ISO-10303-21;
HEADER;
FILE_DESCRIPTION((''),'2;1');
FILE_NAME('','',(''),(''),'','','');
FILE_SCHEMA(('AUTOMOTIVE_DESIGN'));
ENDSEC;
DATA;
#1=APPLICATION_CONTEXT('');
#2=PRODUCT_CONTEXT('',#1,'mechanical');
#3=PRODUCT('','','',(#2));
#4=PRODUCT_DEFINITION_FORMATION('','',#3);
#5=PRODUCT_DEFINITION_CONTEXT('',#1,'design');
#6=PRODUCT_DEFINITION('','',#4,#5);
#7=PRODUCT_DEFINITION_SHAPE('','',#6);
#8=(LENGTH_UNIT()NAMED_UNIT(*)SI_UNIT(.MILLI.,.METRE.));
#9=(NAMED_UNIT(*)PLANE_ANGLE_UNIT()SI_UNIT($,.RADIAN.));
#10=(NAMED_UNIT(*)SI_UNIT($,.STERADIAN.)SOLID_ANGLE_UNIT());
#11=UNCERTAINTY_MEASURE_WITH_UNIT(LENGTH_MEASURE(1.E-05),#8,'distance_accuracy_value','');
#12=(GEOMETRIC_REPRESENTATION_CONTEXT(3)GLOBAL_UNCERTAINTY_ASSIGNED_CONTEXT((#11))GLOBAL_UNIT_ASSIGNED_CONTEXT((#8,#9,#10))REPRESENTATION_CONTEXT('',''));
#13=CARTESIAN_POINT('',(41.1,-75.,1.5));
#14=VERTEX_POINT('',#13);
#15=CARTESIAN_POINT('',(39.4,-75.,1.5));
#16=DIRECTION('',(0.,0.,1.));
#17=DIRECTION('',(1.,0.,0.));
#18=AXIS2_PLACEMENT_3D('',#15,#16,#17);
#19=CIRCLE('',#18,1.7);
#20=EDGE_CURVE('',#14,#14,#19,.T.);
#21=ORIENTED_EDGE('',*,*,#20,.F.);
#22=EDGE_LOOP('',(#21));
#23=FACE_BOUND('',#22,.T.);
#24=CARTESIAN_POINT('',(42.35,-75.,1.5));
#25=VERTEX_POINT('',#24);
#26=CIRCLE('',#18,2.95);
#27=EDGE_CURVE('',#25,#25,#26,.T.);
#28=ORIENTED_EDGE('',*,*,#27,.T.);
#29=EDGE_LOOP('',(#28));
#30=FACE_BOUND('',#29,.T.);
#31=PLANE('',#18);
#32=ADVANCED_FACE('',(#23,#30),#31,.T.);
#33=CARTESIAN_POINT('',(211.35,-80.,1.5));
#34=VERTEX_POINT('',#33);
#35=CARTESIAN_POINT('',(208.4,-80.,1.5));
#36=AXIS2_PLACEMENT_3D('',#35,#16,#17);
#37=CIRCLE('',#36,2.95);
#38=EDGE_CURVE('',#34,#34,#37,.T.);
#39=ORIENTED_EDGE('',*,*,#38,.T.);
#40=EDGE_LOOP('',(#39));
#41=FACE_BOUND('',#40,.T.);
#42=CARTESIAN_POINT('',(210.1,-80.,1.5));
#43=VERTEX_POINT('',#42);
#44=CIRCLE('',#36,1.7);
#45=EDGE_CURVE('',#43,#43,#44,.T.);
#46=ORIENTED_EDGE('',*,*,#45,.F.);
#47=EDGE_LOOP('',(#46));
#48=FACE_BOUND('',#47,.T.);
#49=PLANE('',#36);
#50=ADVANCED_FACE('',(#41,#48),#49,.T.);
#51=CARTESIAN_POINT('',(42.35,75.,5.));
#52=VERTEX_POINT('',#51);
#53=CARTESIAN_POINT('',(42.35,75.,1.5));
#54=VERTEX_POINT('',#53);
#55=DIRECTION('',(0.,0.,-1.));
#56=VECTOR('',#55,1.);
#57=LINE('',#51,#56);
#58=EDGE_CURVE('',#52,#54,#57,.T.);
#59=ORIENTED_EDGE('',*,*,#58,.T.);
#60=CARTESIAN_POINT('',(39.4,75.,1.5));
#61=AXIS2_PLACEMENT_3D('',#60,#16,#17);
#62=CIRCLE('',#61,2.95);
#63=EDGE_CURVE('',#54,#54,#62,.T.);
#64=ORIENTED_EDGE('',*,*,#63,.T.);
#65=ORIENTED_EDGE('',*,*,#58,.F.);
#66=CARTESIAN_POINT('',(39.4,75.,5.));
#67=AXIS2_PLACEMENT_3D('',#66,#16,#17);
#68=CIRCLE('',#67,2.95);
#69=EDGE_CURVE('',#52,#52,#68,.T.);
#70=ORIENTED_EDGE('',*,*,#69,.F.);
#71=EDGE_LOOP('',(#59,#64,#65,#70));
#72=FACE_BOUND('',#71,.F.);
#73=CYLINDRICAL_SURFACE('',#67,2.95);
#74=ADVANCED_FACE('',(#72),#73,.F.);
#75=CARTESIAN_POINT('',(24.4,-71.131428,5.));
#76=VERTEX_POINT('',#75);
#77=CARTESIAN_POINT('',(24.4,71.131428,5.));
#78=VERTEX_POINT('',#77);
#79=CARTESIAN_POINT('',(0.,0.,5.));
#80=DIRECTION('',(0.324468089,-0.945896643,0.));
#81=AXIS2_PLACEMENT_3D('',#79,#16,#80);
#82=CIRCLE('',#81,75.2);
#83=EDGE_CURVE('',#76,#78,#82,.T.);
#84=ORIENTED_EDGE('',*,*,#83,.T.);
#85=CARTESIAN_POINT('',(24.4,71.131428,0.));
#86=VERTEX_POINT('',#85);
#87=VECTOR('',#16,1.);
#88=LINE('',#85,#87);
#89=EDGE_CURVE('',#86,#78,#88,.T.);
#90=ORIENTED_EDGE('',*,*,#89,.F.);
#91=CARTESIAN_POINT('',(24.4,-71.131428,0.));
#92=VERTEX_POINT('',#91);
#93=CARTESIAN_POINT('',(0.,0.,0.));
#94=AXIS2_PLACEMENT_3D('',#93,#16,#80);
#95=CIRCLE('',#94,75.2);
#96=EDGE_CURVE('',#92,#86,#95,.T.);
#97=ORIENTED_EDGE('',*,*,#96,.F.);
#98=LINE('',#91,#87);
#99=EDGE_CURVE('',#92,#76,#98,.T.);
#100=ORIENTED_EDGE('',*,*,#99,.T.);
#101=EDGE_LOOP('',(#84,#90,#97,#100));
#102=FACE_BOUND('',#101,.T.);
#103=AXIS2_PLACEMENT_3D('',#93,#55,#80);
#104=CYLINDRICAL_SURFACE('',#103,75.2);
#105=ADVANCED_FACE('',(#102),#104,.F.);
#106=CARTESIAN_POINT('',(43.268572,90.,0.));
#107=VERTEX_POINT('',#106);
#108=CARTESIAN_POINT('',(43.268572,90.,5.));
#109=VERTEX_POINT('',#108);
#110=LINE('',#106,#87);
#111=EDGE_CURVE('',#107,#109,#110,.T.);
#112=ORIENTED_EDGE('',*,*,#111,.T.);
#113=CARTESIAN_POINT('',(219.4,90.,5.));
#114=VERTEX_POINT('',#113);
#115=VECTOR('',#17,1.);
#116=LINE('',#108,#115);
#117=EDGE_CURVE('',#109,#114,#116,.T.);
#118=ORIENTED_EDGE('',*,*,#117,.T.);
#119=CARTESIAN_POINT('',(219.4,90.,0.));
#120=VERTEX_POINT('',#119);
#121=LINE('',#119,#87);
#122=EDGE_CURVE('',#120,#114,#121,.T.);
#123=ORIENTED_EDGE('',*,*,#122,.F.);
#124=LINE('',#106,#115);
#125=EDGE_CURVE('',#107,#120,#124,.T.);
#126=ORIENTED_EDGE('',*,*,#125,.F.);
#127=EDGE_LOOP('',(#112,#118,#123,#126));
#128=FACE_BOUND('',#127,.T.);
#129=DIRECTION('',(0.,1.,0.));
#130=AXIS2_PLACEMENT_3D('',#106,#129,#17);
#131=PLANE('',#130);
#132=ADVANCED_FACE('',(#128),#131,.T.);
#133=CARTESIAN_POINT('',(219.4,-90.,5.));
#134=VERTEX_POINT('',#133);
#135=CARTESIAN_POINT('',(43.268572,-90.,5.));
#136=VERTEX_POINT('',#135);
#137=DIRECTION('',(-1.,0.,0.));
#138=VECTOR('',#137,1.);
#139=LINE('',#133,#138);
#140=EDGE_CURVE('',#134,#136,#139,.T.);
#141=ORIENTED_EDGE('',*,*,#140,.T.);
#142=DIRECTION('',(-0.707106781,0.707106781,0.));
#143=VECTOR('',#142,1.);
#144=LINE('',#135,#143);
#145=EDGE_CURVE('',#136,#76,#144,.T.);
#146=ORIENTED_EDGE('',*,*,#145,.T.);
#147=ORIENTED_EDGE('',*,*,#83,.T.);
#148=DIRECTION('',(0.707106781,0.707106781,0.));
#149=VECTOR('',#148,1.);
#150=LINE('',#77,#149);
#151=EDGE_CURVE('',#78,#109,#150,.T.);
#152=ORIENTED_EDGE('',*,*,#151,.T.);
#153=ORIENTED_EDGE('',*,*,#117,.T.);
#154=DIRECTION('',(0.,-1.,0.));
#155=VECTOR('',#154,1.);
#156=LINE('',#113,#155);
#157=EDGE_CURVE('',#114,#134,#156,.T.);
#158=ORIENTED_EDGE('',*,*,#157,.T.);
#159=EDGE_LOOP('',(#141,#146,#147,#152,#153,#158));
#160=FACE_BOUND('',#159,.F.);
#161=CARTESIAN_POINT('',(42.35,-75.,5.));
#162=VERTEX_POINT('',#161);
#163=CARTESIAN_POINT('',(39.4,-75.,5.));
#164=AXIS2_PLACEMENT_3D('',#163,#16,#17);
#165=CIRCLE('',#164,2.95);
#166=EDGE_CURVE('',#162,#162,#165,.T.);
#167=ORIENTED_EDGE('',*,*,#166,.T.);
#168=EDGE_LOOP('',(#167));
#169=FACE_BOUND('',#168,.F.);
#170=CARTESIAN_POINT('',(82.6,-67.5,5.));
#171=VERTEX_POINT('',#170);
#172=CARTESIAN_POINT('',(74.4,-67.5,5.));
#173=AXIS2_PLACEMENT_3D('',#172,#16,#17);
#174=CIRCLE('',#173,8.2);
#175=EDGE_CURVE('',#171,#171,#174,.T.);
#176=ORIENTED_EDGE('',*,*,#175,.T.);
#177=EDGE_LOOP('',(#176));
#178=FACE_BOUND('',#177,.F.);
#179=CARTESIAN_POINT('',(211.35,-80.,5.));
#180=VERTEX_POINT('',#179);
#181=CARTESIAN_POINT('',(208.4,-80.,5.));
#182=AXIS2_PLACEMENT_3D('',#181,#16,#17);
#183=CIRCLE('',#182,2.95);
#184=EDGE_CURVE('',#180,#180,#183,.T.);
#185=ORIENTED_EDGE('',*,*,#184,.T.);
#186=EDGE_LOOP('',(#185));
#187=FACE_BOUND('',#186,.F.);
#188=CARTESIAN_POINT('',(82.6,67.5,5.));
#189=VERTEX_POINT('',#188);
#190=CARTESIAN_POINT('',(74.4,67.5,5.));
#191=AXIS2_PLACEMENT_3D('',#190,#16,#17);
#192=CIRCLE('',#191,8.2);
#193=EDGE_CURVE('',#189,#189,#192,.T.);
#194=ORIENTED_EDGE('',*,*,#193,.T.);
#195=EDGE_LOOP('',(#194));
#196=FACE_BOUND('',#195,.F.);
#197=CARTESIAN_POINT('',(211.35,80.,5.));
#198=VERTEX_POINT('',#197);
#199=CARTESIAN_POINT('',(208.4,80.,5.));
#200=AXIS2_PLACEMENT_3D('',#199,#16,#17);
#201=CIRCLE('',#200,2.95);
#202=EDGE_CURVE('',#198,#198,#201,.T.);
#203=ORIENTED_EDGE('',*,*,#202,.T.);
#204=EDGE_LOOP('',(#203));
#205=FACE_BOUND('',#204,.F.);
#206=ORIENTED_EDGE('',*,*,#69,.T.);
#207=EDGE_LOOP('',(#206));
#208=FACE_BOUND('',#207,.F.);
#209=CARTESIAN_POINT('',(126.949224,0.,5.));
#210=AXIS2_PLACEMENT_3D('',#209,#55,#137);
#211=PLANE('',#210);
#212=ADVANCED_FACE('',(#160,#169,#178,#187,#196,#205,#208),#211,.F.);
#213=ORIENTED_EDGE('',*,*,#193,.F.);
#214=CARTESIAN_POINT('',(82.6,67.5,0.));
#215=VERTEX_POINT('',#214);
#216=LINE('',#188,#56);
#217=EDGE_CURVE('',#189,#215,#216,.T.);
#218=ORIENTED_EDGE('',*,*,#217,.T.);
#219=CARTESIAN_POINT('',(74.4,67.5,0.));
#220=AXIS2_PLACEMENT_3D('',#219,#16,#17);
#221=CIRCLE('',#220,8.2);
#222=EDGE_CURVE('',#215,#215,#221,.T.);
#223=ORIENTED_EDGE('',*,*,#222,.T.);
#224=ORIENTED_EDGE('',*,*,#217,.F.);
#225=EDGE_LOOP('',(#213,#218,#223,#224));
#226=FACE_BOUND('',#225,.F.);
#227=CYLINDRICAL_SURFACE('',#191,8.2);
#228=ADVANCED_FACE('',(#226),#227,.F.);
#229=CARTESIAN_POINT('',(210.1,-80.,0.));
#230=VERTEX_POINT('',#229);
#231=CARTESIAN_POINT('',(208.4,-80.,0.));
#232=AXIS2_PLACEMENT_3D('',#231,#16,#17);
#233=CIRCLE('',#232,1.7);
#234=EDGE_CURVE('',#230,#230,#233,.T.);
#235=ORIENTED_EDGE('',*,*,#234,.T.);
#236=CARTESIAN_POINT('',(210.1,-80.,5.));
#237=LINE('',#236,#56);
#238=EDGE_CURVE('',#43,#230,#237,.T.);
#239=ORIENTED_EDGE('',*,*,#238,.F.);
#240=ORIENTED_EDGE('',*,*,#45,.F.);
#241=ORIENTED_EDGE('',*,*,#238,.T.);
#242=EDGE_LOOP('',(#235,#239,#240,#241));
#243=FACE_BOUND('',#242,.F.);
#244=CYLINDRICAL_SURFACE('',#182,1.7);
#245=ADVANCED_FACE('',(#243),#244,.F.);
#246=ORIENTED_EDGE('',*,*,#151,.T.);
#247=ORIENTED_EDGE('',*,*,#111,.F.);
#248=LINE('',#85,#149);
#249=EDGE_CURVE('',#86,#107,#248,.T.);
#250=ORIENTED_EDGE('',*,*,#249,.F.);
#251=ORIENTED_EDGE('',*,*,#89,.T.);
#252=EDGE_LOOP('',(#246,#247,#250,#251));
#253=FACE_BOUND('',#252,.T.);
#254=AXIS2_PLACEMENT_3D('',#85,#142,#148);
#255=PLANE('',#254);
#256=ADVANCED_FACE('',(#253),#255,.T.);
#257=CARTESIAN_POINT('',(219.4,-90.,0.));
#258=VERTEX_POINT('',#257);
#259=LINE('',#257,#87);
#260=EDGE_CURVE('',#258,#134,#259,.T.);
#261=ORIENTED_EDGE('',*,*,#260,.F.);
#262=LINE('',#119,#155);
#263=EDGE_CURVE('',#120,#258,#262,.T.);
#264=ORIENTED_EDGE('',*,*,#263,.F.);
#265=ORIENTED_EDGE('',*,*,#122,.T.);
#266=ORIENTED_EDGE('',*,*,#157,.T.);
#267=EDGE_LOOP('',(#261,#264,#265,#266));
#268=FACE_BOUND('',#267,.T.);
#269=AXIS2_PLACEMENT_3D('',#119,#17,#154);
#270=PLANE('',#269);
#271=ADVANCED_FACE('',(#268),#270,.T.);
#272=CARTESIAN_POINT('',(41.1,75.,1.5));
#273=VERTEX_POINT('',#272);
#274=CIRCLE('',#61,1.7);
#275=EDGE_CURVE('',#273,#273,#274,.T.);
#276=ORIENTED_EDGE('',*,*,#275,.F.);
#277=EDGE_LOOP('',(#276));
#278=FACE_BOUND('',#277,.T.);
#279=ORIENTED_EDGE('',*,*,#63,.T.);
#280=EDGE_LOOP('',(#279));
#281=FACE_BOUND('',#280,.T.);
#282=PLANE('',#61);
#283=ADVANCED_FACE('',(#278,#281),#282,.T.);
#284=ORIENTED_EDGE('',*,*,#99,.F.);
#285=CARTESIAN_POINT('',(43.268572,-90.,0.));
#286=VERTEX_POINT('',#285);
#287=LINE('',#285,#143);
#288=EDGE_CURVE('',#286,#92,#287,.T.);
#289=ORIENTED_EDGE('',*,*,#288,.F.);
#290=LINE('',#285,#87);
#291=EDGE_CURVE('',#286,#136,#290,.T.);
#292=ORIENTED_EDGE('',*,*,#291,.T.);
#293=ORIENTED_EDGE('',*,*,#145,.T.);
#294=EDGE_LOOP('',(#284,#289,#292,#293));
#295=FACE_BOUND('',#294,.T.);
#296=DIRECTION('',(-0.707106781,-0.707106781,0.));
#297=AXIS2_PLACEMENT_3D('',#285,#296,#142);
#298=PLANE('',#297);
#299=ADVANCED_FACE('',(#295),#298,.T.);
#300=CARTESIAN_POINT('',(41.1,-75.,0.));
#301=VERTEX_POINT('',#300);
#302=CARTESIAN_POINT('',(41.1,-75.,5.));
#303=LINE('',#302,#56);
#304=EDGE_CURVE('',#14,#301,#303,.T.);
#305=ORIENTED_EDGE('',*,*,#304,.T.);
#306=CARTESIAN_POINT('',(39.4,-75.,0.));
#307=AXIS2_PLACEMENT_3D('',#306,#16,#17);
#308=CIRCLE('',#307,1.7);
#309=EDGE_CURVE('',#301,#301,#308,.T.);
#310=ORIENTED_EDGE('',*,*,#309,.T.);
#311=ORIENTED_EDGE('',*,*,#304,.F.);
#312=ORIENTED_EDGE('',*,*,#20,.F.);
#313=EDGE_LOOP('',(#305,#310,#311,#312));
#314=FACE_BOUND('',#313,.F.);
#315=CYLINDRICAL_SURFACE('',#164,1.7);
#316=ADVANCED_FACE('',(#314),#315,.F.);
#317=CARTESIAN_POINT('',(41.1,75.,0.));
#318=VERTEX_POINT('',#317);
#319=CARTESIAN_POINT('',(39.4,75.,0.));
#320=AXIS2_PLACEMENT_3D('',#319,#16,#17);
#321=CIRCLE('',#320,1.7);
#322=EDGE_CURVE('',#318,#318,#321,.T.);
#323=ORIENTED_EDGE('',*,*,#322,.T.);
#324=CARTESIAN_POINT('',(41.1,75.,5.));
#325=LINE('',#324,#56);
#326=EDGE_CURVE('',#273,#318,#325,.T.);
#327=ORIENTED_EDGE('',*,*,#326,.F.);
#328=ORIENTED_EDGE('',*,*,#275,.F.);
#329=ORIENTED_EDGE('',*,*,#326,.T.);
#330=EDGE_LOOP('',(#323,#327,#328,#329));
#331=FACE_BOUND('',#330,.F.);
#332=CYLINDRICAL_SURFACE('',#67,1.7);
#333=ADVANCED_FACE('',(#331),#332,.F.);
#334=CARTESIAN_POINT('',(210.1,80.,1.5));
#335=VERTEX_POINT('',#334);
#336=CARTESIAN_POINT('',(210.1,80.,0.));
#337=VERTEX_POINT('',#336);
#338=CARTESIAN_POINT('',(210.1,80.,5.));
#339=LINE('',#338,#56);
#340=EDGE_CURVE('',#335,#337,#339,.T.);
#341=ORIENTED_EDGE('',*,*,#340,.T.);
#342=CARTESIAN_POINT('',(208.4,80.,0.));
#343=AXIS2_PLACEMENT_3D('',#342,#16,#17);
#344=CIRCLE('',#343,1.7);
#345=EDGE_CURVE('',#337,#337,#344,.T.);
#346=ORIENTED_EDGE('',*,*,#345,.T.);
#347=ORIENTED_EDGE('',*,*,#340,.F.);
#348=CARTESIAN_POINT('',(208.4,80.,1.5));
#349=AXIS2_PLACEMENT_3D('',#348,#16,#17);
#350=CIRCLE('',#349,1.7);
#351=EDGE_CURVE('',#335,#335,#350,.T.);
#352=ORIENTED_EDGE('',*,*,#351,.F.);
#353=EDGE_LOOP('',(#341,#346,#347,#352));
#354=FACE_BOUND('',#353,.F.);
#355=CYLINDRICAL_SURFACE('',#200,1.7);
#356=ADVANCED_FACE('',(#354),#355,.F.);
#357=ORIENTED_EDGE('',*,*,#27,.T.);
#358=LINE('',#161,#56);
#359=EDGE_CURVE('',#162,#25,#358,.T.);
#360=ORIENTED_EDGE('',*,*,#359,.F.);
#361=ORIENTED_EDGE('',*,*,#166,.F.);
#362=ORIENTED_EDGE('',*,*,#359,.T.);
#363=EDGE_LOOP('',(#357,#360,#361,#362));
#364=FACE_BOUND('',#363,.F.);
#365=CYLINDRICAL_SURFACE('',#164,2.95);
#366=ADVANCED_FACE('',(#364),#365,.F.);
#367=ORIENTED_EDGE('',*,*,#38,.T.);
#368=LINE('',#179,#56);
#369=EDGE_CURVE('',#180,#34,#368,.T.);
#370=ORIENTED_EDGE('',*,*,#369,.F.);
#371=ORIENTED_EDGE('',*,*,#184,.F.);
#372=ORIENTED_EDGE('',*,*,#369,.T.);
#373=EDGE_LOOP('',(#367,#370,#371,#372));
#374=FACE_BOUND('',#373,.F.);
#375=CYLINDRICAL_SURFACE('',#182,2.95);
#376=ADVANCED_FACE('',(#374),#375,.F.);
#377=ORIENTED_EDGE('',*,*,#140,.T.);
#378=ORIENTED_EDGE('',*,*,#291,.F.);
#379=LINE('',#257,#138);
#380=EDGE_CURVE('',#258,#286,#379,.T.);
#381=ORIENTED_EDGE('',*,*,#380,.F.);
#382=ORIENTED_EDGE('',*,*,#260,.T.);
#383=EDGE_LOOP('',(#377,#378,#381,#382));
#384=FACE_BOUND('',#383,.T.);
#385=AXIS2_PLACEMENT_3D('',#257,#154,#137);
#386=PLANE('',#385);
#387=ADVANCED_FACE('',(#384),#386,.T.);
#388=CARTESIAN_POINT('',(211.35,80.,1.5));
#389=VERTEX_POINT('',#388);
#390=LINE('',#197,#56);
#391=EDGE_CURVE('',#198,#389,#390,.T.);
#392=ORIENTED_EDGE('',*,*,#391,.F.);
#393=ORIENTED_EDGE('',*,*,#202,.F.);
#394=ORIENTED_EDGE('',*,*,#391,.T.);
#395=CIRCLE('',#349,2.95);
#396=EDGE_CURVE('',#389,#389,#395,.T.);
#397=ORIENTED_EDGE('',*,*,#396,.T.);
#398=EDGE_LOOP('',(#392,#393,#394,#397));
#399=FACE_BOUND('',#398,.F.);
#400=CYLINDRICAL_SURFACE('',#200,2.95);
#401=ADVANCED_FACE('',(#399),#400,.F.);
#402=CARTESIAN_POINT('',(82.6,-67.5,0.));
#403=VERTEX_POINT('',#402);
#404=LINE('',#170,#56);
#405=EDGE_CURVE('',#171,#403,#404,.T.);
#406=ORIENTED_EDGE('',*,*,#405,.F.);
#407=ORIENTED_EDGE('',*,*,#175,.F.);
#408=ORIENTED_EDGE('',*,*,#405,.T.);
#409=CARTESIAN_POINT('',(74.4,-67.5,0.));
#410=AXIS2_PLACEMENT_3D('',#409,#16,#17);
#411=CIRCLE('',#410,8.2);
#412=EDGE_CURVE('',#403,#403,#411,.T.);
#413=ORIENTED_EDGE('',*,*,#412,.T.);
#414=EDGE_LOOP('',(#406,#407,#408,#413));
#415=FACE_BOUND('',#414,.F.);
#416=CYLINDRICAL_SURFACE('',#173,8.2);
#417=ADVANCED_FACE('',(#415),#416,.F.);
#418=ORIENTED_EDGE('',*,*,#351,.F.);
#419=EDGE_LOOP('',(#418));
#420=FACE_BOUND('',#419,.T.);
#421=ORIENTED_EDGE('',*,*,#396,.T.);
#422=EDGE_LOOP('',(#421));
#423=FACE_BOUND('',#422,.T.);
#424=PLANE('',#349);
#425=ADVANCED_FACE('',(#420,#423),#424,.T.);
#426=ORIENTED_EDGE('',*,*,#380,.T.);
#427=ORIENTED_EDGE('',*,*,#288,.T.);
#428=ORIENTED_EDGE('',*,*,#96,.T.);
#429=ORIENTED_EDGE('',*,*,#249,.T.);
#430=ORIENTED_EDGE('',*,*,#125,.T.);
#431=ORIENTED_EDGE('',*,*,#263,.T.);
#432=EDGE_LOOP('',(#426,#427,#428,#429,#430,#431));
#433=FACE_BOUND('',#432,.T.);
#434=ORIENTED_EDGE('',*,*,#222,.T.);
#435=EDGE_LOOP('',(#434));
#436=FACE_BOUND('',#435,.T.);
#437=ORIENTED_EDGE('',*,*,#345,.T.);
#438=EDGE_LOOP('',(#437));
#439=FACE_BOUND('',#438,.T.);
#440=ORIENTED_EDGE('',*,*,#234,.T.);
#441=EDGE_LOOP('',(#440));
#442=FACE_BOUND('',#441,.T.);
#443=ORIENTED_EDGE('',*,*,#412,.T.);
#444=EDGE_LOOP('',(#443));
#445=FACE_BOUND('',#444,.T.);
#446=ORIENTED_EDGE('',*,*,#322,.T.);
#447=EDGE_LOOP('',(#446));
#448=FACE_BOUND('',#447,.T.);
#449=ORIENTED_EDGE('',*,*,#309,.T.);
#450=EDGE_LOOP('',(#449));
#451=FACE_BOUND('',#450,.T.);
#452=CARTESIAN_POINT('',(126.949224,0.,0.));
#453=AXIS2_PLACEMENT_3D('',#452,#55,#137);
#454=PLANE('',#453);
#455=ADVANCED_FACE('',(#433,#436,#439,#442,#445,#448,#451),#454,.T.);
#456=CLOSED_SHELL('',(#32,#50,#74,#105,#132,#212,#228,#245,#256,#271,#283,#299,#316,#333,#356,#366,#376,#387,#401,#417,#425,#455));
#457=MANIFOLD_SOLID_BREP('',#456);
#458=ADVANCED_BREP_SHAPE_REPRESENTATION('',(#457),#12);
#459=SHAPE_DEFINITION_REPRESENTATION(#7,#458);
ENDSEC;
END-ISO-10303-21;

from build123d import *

# Parameters (mm, degrees)
PAD_DEPTH       = 5
SKETCH001_R     = 1.7
SKETCH001_R_2   = 8.2
POCKET_DEPTH    = 5.001
SKETCH002_R     = 2.95
POCKET001_DEPTH = 3.5


with BuildPart() as part:
    # Sketch → Pad (new body)
    with BuildSketch(Plane.XY):
        with BuildLine():
            ThreePointArc((24.4, -71.131428), (75.2, 0), (24.4, 71.131428))
            Line((24.4, 71.131428), (43.268572, 90))
            Line((43.268572, 90), (219.4, 90))
            Line((219.4, 90), (219.4, -90))
            Line((219.4, -90), (43.268572, -90))
            Line((43.268572, -90), (24.4, -71.131428))
        make_face()
    extrude(amount=PAD_DEPTH)

    # Sketch001 (on Face8 of Pad) → Pocket (cut, through all)
    with BuildSketch(Plane.XY.offset(5)):
        with Locations((39.4, 75)):
            Circle(SKETCH001_R)
        with Locations((39.4, -75)):
            Circle(SKETCH001_R)
        with Locations((208.4, -80)):
            Circle(SKETCH001_R)
        with Locations((208.4, 80)):
            Circle(SKETCH001_R)
        with Locations((74.4, 67.5)):
            Circle(SKETCH001_R_2)
        with Locations((74.4, -67.5)):
            Circle(SKETCH001_R_2)
    extrude(amount=-POCKET_DEPTH, mode=Mode.SUBTRACT)

    # Sketch002 (on Face5 of Pocket) → Pocket001 (cut)
    with BuildSketch(Plane.XY.offset(5)):
        with Locations((39.4, -75)):
            Circle(SKETCH002_R)
        with Locations((208.4, -80)):
            Circle(SKETCH002_R)
        with Locations((39.4, 75)):
            Circle(SKETCH002_R)
        with Locations((208.4, 80)):
            Circle(SKETCH002_R)
    extrude(amount=-POCKET001_DEPTH, mode=Mode.SUBTRACT)


solid = part.part
